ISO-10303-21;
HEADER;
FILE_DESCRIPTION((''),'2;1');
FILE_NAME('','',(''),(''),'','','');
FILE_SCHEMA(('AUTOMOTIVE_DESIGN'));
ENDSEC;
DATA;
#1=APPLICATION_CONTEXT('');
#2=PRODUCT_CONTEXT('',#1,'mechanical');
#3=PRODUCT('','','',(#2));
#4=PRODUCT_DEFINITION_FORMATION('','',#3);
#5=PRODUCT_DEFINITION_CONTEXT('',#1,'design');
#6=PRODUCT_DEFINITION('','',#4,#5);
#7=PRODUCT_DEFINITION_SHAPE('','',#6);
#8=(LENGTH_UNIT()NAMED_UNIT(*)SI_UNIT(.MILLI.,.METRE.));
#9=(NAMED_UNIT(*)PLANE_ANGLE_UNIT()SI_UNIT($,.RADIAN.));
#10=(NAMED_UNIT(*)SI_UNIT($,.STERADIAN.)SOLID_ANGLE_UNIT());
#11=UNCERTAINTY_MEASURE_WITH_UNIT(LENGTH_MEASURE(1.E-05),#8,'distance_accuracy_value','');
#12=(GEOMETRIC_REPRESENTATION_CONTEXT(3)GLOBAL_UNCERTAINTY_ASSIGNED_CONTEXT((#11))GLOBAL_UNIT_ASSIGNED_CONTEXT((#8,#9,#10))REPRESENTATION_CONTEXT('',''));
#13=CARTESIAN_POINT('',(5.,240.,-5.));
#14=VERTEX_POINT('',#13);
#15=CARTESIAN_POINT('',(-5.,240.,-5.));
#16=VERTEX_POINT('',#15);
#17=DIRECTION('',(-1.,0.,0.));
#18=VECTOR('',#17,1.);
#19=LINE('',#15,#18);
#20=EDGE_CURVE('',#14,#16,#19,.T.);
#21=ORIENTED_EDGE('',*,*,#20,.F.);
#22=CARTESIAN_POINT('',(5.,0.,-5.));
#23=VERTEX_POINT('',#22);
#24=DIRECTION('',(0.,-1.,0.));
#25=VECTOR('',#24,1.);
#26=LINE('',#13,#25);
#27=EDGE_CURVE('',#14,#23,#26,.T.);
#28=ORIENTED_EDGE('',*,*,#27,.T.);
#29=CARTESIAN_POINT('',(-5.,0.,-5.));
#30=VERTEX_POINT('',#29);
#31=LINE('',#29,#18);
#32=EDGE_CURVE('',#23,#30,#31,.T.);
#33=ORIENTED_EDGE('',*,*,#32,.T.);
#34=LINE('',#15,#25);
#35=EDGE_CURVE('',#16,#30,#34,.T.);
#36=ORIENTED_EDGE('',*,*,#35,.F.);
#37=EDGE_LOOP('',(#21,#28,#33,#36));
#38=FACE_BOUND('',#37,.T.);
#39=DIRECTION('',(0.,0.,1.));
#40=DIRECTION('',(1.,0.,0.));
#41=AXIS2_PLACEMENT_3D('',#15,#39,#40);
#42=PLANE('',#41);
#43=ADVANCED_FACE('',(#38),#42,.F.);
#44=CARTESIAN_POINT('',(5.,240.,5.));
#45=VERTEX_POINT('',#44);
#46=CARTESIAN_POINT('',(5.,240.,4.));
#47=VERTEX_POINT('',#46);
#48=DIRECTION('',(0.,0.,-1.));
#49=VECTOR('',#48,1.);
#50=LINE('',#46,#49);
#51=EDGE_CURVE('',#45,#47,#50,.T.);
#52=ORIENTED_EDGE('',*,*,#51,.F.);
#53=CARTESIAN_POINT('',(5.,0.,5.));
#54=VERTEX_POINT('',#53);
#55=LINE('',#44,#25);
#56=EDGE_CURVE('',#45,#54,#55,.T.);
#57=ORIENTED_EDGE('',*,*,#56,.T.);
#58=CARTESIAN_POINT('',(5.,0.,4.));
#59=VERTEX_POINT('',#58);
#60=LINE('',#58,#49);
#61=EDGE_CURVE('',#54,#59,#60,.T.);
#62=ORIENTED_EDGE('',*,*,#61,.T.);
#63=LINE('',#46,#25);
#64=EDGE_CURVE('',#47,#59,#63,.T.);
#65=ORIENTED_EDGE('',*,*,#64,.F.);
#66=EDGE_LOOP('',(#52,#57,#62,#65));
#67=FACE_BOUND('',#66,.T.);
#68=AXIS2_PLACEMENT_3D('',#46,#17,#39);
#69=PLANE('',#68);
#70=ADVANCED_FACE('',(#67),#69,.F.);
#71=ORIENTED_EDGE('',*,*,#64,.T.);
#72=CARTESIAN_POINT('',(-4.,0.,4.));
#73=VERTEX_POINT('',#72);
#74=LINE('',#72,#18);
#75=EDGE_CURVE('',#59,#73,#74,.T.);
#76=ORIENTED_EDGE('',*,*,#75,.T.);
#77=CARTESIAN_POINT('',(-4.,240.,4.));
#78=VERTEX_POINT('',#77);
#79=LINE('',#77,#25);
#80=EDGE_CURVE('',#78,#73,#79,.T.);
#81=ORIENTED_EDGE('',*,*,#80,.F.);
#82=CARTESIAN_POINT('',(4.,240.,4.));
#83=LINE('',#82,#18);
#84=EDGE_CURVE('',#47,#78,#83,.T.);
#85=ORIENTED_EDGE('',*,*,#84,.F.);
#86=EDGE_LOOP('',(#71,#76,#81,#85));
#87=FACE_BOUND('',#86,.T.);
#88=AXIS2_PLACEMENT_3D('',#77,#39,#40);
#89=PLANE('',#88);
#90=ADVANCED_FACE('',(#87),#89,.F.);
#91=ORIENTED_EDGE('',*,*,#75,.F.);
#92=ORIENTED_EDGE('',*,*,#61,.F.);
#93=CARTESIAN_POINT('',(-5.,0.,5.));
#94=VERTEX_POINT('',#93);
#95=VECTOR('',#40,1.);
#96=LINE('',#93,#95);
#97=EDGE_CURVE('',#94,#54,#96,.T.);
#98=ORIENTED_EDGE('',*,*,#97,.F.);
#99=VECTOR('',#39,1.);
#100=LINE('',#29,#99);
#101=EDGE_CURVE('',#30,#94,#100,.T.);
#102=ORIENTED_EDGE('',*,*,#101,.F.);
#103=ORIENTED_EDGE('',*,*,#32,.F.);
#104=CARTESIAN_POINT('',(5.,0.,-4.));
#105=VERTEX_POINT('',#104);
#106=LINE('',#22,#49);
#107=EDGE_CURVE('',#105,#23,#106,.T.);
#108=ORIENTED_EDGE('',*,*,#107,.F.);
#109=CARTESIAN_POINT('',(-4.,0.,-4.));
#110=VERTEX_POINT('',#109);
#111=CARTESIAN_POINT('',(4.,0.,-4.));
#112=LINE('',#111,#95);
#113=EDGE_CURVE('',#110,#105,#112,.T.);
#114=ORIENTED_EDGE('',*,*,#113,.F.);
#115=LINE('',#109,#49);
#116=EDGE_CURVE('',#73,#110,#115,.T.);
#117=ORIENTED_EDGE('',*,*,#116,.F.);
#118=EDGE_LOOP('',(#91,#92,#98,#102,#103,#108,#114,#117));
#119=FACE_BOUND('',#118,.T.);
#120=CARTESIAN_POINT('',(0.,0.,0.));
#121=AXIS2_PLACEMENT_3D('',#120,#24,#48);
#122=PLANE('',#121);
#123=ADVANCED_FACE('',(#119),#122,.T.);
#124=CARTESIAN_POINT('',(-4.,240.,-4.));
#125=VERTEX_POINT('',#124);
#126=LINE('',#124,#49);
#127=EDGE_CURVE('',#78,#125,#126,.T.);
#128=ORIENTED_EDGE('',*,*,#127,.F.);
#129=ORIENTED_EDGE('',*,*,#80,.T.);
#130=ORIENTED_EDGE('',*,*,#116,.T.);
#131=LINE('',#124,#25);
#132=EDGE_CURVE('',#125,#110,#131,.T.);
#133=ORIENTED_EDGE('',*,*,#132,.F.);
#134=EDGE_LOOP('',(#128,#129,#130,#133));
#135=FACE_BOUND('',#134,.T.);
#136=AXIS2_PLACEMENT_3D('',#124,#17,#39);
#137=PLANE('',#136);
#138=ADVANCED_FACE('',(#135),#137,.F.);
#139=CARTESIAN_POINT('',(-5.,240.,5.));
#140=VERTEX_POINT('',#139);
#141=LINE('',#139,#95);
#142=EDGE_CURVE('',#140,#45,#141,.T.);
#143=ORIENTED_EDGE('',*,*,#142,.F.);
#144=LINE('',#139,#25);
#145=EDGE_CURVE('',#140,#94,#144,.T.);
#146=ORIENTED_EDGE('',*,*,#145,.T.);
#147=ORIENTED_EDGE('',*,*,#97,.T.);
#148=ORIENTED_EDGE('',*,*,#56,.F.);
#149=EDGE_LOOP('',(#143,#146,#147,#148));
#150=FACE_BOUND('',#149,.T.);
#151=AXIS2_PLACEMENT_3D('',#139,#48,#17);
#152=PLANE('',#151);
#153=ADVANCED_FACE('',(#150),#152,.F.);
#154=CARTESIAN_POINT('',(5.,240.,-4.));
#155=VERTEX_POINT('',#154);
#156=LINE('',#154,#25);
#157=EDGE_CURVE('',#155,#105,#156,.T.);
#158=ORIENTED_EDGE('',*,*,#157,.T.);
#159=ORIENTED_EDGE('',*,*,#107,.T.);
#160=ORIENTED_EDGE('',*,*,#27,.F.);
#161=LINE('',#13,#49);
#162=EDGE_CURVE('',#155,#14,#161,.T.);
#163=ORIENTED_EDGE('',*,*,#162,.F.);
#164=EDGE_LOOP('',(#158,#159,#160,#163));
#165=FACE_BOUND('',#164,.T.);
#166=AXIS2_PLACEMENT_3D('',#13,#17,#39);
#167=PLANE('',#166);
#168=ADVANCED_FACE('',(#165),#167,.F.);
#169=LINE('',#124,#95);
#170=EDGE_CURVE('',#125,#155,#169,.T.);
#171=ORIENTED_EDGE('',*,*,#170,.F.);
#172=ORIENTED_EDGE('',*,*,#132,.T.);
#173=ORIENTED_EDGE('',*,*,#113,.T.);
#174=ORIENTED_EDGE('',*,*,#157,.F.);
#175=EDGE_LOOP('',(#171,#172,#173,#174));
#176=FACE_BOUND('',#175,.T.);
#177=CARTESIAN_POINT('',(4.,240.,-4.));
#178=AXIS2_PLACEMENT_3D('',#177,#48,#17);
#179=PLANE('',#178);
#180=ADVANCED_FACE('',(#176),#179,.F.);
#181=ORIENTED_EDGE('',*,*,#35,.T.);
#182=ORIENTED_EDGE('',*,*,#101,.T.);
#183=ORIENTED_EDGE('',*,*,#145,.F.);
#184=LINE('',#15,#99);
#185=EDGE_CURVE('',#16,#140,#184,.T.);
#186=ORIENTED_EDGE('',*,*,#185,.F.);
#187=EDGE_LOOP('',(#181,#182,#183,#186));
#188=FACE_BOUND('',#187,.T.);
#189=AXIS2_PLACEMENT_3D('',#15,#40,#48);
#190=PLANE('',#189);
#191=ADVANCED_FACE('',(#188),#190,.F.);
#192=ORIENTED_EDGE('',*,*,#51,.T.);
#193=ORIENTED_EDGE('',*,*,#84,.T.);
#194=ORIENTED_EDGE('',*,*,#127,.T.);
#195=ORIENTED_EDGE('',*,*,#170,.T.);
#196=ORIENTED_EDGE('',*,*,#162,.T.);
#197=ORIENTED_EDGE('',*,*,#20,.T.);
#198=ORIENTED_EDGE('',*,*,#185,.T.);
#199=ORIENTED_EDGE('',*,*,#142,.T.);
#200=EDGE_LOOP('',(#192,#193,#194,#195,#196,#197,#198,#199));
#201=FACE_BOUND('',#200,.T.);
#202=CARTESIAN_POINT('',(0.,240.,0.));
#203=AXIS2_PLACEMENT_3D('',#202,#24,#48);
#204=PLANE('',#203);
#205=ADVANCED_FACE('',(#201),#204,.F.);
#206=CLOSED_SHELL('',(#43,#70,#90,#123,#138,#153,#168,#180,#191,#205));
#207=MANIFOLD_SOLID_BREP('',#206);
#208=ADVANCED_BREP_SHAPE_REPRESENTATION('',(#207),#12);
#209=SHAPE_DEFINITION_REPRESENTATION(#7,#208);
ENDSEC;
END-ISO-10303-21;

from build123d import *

# Parameters (mm, degrees)
EXTRUDE_1_DEPTH = 240


with BuildPart() as part:
    # 草图1 → 凸台-拉伸1 (new body)
    with BuildSketch(Plane(origin=(0, 0, 0), x_dir=(1, 0, 0), z_dir=(0, 1, 0))):
        Polygon((4, 4), (5, 4), (5, 5), (-5, 5), (-5, -5), (5, -5), (5, -4), (4, -4), (-4, -4), (-4, 4), align=None)
    extrude(amount=EXTRUDE_1_DEPTH)


solid = part.part
